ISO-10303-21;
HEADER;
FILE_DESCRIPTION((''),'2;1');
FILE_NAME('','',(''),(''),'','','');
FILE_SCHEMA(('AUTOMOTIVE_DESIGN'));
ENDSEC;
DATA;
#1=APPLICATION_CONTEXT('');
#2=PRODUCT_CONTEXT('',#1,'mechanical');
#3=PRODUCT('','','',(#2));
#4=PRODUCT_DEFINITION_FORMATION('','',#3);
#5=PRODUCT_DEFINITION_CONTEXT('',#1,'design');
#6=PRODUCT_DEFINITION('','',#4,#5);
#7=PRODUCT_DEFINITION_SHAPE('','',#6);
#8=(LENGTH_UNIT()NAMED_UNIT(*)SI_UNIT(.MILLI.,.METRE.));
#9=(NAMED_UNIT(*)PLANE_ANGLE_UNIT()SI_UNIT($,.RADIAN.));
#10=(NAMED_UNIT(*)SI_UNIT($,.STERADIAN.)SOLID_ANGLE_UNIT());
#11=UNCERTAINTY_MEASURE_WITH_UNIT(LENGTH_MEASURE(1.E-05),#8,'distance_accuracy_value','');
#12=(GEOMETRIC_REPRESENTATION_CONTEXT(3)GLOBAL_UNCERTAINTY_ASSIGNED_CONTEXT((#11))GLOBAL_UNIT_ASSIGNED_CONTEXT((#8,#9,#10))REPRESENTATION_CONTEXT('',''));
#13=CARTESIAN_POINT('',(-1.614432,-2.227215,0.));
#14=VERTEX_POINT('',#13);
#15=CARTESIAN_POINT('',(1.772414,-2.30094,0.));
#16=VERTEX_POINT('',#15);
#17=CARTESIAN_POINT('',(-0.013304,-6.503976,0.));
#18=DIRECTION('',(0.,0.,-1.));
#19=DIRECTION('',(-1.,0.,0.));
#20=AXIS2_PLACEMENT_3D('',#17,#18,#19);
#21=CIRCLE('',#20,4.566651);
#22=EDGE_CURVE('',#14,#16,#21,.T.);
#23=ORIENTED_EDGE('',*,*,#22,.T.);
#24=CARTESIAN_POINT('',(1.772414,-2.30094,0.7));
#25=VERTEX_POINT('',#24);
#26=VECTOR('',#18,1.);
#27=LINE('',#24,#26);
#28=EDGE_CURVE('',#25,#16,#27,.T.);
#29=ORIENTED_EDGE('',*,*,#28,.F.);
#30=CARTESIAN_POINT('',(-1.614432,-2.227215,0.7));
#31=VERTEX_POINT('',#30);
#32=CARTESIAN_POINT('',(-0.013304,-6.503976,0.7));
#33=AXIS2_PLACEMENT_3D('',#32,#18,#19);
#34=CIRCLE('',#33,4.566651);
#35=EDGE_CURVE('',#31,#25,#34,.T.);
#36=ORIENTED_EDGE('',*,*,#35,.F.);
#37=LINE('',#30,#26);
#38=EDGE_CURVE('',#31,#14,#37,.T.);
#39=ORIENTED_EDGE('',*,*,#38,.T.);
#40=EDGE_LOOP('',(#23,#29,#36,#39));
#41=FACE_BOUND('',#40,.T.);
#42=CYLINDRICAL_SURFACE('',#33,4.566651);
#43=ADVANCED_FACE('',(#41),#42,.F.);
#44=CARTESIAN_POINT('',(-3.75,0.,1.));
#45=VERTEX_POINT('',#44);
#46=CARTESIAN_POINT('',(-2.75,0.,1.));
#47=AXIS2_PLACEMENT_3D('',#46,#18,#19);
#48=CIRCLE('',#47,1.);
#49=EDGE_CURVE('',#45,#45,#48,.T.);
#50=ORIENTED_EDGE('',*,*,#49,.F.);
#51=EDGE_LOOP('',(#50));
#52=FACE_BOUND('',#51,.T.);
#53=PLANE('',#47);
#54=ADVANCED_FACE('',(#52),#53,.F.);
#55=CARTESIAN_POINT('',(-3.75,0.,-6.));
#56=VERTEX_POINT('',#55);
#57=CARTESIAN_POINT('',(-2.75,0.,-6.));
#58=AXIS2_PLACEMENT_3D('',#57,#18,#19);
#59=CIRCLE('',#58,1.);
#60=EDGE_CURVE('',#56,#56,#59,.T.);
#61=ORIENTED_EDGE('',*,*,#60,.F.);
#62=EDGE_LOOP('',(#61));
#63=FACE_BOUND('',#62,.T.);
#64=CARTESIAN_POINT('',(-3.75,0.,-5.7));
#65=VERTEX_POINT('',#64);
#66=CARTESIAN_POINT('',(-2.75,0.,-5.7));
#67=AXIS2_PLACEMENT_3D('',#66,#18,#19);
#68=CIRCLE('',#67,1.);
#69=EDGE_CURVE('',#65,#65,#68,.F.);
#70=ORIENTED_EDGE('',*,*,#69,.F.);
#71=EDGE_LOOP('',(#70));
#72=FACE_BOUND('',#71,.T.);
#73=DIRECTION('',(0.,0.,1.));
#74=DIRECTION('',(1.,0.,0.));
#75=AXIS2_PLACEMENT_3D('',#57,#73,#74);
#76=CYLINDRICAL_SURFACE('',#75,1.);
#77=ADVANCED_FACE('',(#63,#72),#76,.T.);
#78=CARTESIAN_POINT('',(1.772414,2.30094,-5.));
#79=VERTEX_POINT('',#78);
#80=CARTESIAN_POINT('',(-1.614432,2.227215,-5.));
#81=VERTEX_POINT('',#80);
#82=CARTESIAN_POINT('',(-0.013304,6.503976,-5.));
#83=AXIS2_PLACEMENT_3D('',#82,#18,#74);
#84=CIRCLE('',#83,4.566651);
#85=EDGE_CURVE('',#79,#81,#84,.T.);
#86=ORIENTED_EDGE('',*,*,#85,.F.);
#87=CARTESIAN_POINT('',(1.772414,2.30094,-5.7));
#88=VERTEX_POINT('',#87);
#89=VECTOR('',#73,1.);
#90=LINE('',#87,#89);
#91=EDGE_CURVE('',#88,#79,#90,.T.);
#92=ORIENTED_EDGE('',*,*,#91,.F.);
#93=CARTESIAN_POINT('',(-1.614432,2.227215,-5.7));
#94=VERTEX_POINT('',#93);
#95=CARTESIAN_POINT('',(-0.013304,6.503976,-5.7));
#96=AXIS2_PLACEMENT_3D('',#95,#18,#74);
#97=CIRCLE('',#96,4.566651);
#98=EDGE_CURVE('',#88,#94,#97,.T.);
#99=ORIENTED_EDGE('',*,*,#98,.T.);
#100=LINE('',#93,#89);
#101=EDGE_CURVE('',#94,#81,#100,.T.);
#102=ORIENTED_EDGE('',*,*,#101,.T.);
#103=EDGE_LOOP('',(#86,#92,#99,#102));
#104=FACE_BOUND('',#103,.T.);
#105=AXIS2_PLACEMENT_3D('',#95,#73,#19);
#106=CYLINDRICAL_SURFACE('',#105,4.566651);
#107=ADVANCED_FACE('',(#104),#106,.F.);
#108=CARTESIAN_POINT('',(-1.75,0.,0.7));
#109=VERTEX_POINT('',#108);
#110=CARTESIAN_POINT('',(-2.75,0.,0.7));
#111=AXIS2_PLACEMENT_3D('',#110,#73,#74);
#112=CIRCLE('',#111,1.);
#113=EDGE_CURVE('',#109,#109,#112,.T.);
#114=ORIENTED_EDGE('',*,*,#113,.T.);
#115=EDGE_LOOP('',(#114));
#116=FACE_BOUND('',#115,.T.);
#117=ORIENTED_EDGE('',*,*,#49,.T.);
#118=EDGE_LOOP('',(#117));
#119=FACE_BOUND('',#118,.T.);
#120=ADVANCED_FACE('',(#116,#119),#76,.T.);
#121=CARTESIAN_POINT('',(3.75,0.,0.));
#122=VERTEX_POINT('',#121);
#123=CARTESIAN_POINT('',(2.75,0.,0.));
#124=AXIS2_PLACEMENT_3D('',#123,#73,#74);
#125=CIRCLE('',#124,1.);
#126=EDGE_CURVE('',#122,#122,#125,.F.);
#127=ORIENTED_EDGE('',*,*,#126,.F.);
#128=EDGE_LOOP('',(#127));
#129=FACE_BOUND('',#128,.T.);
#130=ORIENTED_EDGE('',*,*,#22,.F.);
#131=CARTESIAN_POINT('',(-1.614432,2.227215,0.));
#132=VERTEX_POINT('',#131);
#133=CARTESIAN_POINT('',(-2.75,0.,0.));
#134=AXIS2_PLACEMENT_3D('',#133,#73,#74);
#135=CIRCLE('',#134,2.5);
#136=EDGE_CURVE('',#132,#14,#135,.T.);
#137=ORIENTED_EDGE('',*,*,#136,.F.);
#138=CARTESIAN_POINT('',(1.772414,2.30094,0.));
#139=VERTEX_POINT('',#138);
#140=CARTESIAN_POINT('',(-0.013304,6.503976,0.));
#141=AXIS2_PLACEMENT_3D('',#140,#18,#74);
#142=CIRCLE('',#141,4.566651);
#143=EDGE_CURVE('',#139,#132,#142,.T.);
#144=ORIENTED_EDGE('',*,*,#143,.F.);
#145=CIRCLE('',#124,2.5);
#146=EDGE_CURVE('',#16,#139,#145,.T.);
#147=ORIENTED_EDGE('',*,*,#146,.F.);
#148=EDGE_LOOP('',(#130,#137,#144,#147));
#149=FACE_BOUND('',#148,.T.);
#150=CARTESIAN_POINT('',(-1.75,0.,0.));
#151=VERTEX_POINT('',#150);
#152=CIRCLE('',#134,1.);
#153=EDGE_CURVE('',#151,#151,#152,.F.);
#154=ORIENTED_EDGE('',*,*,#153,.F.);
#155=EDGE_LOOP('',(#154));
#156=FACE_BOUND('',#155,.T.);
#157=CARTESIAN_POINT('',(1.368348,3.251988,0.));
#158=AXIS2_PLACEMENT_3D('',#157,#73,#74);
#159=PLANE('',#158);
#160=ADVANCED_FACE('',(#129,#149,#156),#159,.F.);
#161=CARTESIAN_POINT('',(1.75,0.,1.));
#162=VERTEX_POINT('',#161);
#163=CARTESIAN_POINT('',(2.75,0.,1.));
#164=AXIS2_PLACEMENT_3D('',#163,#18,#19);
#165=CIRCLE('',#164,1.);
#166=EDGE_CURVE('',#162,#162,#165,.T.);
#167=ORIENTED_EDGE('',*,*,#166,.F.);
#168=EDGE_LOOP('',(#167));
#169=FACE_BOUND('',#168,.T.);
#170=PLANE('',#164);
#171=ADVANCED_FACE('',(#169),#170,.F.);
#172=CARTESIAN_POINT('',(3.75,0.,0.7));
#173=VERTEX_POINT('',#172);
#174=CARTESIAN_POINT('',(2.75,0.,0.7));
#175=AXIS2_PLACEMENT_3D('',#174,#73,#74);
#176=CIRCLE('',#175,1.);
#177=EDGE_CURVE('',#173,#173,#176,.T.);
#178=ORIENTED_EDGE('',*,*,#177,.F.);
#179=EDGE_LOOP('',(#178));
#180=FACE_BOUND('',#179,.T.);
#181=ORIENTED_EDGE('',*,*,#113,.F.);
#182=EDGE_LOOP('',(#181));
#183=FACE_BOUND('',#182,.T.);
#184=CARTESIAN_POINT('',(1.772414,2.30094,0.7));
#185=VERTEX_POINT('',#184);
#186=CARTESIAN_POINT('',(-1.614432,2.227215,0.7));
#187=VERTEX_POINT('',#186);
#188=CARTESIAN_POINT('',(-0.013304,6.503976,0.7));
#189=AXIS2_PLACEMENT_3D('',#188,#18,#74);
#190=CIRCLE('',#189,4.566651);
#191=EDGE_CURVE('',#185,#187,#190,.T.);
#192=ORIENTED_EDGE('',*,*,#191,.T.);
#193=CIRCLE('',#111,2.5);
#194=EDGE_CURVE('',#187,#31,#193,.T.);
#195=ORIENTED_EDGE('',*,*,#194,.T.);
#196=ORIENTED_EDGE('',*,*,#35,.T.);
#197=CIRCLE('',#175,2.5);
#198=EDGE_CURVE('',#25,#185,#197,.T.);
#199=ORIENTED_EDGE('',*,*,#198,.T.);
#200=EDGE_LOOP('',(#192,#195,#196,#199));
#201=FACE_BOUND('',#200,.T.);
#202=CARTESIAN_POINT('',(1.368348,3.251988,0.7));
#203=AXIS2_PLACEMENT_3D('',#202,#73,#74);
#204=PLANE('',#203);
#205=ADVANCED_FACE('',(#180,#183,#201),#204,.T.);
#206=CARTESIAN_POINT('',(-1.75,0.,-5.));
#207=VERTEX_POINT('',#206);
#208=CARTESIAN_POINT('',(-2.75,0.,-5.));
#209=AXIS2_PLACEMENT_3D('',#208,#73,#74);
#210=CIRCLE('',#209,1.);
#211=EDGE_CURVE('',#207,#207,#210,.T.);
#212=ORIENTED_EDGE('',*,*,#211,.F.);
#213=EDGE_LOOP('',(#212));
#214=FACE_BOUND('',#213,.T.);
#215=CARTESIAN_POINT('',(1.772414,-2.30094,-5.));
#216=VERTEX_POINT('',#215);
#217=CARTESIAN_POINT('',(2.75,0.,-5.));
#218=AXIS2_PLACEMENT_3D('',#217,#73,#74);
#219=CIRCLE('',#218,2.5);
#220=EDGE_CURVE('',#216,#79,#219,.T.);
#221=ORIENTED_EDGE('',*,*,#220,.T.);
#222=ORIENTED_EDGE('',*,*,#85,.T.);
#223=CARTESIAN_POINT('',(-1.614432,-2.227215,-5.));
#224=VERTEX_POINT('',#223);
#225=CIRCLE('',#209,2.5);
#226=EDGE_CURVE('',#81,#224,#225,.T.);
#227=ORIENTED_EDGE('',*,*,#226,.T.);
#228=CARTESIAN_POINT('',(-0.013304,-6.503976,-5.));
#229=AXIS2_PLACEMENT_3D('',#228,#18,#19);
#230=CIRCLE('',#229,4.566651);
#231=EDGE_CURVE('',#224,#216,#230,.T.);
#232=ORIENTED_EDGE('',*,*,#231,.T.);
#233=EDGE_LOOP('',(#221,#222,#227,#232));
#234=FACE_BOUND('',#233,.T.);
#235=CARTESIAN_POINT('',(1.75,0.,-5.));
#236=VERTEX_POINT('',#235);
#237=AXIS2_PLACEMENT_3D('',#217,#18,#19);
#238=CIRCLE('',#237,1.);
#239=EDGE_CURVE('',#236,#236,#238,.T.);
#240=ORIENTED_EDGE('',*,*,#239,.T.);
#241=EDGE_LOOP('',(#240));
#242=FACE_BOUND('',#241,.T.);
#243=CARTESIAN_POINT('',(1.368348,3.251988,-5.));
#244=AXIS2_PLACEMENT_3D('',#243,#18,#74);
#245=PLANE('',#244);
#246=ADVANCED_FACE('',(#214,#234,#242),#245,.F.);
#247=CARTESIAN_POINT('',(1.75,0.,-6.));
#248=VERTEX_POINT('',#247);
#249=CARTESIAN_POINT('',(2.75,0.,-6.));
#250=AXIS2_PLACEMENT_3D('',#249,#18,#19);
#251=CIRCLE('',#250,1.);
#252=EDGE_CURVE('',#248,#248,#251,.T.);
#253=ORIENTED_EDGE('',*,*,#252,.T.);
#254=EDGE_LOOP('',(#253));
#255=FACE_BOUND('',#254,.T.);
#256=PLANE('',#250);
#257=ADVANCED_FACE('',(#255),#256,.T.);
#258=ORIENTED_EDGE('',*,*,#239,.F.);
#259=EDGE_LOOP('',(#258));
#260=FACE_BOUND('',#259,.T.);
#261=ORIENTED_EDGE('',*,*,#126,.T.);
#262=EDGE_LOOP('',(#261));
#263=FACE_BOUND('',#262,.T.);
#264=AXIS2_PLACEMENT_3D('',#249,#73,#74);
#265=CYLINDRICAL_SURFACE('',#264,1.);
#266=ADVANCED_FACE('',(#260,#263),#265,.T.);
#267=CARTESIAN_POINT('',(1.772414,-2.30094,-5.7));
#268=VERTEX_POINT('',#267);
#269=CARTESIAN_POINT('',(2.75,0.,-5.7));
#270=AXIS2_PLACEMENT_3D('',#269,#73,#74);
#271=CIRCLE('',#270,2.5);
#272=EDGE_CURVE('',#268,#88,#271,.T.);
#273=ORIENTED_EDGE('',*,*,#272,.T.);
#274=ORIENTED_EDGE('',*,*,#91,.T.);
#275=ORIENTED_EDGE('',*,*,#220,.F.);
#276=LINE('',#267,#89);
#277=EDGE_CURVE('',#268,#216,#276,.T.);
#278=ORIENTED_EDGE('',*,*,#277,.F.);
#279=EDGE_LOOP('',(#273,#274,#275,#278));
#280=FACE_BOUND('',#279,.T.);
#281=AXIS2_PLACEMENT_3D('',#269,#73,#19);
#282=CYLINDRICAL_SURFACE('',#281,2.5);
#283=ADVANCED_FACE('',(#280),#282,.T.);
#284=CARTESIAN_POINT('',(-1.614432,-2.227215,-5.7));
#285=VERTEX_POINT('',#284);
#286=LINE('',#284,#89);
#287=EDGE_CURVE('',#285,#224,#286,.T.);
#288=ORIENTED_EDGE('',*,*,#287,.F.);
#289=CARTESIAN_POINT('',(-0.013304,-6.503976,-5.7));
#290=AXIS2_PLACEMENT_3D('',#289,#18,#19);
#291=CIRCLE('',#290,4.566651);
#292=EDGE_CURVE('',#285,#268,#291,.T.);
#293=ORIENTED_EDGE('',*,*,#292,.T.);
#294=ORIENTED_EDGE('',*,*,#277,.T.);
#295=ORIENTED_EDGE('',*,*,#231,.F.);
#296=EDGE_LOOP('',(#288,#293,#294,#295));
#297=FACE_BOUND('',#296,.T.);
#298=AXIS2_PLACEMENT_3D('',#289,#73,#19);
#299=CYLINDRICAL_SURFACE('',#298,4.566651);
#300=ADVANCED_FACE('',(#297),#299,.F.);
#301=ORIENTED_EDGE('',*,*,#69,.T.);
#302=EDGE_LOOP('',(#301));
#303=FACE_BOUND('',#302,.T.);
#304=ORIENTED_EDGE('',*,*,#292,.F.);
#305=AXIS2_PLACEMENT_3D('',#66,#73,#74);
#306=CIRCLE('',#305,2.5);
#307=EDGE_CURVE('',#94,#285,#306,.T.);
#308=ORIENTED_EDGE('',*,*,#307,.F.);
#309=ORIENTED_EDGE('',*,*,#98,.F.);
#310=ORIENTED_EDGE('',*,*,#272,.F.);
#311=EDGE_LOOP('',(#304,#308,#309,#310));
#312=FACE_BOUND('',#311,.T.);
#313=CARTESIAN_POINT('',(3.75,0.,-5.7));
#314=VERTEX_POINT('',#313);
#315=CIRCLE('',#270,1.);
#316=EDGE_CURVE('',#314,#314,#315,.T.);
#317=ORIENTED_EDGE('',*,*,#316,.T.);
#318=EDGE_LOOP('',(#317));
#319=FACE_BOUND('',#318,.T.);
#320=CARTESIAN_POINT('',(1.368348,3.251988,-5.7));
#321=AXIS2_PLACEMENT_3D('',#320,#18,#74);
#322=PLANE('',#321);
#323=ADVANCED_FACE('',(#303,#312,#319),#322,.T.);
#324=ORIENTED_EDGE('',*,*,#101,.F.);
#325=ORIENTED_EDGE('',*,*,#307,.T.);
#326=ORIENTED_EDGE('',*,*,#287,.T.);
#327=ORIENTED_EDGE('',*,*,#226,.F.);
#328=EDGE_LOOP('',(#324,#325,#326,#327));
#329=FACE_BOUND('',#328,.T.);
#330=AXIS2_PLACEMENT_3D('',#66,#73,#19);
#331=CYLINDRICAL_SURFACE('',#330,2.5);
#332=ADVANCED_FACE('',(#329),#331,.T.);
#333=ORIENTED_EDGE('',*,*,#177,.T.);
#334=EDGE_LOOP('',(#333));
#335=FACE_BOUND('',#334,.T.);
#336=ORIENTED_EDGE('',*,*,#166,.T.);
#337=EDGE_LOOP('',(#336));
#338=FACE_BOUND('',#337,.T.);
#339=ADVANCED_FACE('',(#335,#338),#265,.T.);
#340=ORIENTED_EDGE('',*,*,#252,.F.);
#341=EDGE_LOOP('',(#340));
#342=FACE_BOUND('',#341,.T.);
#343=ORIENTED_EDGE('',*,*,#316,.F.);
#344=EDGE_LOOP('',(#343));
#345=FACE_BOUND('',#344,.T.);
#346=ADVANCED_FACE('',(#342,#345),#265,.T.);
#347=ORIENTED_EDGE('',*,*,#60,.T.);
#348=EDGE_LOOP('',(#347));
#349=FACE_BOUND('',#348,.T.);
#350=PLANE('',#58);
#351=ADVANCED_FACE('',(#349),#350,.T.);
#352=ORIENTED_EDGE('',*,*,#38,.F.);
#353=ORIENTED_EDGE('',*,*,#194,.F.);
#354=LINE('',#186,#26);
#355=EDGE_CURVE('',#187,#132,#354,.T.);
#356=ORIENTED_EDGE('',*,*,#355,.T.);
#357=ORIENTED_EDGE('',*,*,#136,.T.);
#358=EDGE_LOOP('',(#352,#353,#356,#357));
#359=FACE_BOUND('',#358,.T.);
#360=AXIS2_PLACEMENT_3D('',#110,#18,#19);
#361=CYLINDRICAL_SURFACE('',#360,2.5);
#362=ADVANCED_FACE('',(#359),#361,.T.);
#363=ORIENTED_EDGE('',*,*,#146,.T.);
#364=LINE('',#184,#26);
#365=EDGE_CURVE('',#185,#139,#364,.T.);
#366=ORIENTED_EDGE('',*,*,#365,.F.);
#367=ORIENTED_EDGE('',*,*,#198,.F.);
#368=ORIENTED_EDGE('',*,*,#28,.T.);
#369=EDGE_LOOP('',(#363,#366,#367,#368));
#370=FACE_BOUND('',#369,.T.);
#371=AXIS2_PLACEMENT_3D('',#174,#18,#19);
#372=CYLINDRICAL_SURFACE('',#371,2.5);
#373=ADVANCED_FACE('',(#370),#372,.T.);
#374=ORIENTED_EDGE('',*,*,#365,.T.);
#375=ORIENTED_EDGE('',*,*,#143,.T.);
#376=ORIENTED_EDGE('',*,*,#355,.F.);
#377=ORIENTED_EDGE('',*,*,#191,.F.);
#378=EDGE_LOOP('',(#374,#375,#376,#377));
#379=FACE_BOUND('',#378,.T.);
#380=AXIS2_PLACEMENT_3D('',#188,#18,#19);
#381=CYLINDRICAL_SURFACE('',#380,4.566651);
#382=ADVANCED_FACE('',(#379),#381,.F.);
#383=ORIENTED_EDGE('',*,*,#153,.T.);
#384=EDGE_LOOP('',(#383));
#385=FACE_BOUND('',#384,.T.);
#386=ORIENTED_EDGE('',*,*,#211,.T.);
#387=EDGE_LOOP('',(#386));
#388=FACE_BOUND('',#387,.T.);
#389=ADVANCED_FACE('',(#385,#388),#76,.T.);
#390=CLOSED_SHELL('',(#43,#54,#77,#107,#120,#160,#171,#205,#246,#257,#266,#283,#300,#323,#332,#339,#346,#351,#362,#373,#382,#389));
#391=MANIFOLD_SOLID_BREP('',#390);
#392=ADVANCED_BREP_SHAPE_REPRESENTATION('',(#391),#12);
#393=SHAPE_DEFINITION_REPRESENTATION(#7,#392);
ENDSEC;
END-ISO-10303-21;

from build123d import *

# Parameters (mm, degrees)
SKETCH1_R           = 1
BOSS_EXTRUDE1_DEPTH = 0.7
SKETCH2_R           = 1
BOSS_EXTRUDE2_DEPTH = 3.5


with BuildPart() as part:
    # Sketch1 → Boss-Extrude1 (new body)
    with BuildSketch(Plane.XY):
        with BuildLine():
            ThreePointArc((-1.614432161, 2.227214781), (-5.25, 0), (-1.614432161, -2.227214781))
            ThreePointArc((-1.614432161, -2.227214781), (0.086080134, -1.938406924), (1.772413942, -2.300940134))
            ThreePointArc((1.772413942, -2.300940134), (5.25, 0), (1.772413942, 2.300940134))
            ThreePointArc((1.772413942, 2.300940134), (0.086080134, 1.938406924), (-1.614432161, 2.227214781))
        make_face()
        with Locations((-2.75, 0)):
            Circle(SKETCH1_R, mode=Mode.SUBTRACT)
        with Locations((2.75, 0)):
            Circle(SKETCH1_R, mode=Mode.SUBTRACT)
    extrude(amount=BOSS_EXTRUDE1_DEPTH)


with BuildPart() as body_2:
    # Mirror1: mirrored copy
    add(part.part.mirror(Plane(origin=(0, 0, -2.5), x_dir=(1, 0, 0), z_dir=(0, 0, -1))))


with BuildPart() as part_1:
    add(part.part)

    add(body_2.part)  # Boss-Extrude2 merges body 2
    # Sketch2 → Boss-Extrude2 (add, symmetric)
    with BuildSketch(Plane(origin=(0, 0, -2.5), x_dir=(-1, 0, 0), z_dir=(0, 0, -1))):
        with Locations(Location((-2.75, 0, 0), (0, 0, 180))):
            Circle(SKETCH2_R)
        with Locations(Location((2.75, 0, 0), (0, 0, 180))):
            Circle(SKETCH2_R)
    extrude(amount=BOSS_EXTRUDE2_DEPTH, both=True)


solid = part_1.part
